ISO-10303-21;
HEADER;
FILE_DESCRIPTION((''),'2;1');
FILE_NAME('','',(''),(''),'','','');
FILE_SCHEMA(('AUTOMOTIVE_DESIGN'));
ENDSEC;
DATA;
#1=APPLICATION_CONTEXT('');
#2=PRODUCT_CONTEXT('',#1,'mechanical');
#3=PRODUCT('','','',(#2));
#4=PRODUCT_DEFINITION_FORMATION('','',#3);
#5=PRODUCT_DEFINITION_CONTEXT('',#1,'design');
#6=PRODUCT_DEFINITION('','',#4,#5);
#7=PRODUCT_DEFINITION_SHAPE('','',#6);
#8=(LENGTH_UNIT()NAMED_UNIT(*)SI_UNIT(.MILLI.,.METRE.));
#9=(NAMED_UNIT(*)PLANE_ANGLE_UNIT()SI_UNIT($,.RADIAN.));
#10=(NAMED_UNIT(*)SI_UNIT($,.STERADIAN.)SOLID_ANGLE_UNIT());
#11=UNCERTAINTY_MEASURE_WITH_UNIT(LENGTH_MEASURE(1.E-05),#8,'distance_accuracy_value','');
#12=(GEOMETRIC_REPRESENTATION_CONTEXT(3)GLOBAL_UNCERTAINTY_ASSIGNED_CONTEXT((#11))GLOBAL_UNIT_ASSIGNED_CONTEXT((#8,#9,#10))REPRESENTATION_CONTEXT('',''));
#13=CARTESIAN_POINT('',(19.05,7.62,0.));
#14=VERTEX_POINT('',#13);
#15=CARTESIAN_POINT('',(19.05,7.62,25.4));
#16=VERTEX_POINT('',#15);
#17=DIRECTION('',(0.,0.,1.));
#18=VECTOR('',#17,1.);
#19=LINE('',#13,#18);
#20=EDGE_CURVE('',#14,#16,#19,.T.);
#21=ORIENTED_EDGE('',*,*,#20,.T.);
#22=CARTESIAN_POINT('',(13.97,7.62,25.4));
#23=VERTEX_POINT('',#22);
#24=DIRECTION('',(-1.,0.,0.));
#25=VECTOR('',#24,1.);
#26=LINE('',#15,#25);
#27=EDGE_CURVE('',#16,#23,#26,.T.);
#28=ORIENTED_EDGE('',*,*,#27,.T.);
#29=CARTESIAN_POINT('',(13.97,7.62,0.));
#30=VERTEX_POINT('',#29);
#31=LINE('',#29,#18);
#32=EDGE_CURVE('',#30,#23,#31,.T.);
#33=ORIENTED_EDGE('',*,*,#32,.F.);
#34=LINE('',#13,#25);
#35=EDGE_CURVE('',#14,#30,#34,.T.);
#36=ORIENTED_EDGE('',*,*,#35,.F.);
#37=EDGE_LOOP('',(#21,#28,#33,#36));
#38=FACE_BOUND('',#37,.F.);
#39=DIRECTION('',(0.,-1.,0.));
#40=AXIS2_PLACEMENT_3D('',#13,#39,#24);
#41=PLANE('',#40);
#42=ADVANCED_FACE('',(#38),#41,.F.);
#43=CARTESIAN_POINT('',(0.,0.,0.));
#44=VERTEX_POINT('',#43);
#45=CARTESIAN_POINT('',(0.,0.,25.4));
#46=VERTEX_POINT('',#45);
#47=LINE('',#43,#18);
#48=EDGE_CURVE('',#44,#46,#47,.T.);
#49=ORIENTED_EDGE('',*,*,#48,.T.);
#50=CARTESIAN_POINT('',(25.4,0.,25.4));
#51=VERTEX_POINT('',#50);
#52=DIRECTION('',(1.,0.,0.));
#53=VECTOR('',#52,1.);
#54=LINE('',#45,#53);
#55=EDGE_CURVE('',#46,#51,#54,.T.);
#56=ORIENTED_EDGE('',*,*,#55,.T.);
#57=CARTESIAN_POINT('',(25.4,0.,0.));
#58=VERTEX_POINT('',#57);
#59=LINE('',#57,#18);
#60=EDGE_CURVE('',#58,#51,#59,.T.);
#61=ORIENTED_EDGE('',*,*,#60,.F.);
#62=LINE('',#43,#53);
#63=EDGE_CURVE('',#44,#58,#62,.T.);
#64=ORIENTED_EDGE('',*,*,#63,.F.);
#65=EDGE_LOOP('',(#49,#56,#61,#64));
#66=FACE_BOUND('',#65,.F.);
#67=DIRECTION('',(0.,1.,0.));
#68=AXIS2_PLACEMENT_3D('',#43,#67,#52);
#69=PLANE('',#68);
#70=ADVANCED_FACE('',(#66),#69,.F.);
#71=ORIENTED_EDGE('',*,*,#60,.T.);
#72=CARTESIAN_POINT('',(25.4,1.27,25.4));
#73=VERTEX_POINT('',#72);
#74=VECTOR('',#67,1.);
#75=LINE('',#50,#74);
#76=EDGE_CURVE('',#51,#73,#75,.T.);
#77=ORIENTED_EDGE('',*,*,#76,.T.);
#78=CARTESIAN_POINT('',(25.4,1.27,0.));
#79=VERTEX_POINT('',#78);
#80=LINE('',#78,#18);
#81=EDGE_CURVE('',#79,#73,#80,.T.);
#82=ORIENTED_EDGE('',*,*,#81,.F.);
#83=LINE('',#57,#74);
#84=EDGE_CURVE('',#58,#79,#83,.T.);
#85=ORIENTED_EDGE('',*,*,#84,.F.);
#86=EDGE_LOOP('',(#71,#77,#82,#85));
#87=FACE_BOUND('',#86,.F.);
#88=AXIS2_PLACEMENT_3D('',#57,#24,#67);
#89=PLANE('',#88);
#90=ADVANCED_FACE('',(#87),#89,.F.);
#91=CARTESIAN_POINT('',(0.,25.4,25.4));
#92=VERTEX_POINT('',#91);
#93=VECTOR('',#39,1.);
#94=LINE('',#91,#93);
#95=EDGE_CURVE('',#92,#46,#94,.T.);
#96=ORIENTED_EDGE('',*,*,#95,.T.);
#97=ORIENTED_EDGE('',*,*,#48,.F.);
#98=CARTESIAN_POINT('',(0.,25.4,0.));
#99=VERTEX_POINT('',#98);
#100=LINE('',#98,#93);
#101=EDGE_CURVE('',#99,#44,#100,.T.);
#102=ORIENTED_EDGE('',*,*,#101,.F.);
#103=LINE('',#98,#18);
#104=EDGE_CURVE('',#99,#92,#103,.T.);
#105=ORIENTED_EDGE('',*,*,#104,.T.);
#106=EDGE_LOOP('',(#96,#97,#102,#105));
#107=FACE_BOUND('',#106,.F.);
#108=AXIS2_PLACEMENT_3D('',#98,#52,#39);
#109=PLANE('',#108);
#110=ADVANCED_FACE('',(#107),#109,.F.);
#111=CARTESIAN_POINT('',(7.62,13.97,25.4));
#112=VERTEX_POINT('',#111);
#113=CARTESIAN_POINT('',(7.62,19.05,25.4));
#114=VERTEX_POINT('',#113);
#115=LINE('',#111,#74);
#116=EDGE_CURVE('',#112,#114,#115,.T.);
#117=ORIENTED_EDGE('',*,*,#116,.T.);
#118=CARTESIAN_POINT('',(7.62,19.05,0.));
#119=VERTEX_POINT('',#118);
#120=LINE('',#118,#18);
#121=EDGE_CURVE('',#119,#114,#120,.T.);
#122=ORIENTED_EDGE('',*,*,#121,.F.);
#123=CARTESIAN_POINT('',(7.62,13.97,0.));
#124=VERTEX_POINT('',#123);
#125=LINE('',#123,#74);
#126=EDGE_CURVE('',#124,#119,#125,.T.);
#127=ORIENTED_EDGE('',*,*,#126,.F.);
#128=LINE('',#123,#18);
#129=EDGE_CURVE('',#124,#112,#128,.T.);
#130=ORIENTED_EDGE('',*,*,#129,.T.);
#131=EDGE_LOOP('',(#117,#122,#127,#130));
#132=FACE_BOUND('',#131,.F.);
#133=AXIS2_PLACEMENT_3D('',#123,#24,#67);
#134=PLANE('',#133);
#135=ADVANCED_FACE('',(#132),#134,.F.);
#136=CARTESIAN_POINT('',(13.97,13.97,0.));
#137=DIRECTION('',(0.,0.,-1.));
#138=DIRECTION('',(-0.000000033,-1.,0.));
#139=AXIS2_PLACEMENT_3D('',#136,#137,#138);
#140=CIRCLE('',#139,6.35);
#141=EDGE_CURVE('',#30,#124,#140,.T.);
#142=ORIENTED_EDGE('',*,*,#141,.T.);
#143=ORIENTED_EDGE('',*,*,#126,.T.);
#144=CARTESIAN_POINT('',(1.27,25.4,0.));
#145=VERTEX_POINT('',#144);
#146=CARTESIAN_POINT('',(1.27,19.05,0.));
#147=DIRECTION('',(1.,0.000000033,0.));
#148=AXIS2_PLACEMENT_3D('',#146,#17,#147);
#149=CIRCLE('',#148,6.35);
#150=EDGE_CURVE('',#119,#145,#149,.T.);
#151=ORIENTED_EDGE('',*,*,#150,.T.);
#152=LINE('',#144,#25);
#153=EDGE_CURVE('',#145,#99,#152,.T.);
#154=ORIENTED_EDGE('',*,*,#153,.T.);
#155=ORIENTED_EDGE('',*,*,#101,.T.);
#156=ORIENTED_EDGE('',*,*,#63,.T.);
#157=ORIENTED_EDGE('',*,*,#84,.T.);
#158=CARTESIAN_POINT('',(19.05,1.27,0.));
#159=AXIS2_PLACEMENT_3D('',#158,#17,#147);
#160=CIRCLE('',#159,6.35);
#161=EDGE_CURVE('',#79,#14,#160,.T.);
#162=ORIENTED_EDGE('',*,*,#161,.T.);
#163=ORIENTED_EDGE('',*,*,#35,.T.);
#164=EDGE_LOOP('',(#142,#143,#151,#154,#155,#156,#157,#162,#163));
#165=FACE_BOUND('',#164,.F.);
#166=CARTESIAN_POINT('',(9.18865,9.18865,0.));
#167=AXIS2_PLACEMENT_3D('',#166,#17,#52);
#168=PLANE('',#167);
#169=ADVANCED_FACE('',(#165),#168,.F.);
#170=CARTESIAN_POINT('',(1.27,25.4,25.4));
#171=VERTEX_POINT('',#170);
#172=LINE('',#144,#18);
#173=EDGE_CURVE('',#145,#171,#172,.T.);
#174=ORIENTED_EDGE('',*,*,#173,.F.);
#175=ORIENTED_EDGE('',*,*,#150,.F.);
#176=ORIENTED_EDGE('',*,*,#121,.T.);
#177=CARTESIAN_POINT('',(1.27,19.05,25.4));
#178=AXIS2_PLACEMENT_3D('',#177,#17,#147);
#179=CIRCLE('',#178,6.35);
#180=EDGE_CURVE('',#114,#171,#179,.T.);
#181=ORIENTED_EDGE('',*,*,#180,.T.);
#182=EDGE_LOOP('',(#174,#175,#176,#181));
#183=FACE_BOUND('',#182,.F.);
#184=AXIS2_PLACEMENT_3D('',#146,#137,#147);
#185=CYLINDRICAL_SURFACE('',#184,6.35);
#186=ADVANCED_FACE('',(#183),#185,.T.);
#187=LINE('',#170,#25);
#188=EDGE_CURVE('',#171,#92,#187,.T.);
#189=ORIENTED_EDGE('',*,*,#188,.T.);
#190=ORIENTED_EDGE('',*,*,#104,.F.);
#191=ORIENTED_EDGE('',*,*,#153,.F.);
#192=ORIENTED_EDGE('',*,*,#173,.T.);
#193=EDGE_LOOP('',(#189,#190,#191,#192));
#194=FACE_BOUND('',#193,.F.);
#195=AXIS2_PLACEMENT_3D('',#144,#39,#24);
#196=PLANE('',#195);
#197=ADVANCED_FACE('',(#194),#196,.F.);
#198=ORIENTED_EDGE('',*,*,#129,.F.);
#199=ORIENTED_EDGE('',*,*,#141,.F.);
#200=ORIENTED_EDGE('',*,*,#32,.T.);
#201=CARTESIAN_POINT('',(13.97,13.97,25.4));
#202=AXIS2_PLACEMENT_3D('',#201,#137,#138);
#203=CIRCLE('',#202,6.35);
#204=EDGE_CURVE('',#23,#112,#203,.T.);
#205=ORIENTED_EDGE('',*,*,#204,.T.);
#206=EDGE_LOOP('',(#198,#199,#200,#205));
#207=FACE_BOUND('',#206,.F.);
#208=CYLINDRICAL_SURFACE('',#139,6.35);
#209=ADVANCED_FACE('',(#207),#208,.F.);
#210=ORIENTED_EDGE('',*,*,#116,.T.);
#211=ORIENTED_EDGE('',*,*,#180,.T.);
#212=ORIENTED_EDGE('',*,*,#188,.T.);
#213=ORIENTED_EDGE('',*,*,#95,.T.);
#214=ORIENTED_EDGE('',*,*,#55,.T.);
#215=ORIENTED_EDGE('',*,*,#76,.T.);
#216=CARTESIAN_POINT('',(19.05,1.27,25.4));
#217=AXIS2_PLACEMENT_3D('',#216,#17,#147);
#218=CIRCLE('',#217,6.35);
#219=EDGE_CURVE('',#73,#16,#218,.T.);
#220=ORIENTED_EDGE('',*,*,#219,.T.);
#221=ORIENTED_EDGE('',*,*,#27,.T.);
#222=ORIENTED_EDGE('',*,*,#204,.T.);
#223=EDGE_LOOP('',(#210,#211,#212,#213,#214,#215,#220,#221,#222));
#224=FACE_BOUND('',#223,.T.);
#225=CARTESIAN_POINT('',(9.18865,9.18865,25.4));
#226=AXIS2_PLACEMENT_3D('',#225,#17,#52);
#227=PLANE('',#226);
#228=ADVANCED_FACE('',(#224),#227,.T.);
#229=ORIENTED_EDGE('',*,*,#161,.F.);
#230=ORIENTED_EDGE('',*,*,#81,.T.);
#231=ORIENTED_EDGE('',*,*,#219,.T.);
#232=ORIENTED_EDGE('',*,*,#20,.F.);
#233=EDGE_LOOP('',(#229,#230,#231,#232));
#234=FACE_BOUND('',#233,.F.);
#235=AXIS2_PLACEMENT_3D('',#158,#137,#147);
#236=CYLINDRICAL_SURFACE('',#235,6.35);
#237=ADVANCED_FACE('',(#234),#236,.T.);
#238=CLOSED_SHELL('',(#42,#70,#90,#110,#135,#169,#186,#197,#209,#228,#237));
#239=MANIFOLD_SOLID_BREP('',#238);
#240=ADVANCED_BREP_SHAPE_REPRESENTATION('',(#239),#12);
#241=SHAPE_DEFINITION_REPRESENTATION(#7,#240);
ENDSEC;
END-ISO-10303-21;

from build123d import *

# Parameters (mm, degrees)
F1_DEPTH = 25.4


with BuildPart() as f1:
    # F0 (on Top) → F1 (new body)
    with BuildSketch(Plane.XY):
        with BuildLine():
            Line((1.27, 25.4), (0, 25.4))
            Line((0, 25.4), (0, 0))
            Line((0, 0), (25.4, 0))
            Line((25.4, 0), (25.4, 1.27))
            ThreePointArc((25.4, 1.27), (23.540128, 5.760128), (19.05, 7.62))
            Line((19.05, 7.62), (13.97, 7.62))
            ThreePointArc((13.97, 7.62), (9.479872, 9.479872), (7.62, 13.97))
            Line((7.62, 13.97), (7.62, 19.05))
            ThreePointArc((7.62, 19.05), (5.760128, 23.540128), (1.27, 25.4))
        make_face()
    extrude(amount=F1_DEPTH)


solid = f1.part
